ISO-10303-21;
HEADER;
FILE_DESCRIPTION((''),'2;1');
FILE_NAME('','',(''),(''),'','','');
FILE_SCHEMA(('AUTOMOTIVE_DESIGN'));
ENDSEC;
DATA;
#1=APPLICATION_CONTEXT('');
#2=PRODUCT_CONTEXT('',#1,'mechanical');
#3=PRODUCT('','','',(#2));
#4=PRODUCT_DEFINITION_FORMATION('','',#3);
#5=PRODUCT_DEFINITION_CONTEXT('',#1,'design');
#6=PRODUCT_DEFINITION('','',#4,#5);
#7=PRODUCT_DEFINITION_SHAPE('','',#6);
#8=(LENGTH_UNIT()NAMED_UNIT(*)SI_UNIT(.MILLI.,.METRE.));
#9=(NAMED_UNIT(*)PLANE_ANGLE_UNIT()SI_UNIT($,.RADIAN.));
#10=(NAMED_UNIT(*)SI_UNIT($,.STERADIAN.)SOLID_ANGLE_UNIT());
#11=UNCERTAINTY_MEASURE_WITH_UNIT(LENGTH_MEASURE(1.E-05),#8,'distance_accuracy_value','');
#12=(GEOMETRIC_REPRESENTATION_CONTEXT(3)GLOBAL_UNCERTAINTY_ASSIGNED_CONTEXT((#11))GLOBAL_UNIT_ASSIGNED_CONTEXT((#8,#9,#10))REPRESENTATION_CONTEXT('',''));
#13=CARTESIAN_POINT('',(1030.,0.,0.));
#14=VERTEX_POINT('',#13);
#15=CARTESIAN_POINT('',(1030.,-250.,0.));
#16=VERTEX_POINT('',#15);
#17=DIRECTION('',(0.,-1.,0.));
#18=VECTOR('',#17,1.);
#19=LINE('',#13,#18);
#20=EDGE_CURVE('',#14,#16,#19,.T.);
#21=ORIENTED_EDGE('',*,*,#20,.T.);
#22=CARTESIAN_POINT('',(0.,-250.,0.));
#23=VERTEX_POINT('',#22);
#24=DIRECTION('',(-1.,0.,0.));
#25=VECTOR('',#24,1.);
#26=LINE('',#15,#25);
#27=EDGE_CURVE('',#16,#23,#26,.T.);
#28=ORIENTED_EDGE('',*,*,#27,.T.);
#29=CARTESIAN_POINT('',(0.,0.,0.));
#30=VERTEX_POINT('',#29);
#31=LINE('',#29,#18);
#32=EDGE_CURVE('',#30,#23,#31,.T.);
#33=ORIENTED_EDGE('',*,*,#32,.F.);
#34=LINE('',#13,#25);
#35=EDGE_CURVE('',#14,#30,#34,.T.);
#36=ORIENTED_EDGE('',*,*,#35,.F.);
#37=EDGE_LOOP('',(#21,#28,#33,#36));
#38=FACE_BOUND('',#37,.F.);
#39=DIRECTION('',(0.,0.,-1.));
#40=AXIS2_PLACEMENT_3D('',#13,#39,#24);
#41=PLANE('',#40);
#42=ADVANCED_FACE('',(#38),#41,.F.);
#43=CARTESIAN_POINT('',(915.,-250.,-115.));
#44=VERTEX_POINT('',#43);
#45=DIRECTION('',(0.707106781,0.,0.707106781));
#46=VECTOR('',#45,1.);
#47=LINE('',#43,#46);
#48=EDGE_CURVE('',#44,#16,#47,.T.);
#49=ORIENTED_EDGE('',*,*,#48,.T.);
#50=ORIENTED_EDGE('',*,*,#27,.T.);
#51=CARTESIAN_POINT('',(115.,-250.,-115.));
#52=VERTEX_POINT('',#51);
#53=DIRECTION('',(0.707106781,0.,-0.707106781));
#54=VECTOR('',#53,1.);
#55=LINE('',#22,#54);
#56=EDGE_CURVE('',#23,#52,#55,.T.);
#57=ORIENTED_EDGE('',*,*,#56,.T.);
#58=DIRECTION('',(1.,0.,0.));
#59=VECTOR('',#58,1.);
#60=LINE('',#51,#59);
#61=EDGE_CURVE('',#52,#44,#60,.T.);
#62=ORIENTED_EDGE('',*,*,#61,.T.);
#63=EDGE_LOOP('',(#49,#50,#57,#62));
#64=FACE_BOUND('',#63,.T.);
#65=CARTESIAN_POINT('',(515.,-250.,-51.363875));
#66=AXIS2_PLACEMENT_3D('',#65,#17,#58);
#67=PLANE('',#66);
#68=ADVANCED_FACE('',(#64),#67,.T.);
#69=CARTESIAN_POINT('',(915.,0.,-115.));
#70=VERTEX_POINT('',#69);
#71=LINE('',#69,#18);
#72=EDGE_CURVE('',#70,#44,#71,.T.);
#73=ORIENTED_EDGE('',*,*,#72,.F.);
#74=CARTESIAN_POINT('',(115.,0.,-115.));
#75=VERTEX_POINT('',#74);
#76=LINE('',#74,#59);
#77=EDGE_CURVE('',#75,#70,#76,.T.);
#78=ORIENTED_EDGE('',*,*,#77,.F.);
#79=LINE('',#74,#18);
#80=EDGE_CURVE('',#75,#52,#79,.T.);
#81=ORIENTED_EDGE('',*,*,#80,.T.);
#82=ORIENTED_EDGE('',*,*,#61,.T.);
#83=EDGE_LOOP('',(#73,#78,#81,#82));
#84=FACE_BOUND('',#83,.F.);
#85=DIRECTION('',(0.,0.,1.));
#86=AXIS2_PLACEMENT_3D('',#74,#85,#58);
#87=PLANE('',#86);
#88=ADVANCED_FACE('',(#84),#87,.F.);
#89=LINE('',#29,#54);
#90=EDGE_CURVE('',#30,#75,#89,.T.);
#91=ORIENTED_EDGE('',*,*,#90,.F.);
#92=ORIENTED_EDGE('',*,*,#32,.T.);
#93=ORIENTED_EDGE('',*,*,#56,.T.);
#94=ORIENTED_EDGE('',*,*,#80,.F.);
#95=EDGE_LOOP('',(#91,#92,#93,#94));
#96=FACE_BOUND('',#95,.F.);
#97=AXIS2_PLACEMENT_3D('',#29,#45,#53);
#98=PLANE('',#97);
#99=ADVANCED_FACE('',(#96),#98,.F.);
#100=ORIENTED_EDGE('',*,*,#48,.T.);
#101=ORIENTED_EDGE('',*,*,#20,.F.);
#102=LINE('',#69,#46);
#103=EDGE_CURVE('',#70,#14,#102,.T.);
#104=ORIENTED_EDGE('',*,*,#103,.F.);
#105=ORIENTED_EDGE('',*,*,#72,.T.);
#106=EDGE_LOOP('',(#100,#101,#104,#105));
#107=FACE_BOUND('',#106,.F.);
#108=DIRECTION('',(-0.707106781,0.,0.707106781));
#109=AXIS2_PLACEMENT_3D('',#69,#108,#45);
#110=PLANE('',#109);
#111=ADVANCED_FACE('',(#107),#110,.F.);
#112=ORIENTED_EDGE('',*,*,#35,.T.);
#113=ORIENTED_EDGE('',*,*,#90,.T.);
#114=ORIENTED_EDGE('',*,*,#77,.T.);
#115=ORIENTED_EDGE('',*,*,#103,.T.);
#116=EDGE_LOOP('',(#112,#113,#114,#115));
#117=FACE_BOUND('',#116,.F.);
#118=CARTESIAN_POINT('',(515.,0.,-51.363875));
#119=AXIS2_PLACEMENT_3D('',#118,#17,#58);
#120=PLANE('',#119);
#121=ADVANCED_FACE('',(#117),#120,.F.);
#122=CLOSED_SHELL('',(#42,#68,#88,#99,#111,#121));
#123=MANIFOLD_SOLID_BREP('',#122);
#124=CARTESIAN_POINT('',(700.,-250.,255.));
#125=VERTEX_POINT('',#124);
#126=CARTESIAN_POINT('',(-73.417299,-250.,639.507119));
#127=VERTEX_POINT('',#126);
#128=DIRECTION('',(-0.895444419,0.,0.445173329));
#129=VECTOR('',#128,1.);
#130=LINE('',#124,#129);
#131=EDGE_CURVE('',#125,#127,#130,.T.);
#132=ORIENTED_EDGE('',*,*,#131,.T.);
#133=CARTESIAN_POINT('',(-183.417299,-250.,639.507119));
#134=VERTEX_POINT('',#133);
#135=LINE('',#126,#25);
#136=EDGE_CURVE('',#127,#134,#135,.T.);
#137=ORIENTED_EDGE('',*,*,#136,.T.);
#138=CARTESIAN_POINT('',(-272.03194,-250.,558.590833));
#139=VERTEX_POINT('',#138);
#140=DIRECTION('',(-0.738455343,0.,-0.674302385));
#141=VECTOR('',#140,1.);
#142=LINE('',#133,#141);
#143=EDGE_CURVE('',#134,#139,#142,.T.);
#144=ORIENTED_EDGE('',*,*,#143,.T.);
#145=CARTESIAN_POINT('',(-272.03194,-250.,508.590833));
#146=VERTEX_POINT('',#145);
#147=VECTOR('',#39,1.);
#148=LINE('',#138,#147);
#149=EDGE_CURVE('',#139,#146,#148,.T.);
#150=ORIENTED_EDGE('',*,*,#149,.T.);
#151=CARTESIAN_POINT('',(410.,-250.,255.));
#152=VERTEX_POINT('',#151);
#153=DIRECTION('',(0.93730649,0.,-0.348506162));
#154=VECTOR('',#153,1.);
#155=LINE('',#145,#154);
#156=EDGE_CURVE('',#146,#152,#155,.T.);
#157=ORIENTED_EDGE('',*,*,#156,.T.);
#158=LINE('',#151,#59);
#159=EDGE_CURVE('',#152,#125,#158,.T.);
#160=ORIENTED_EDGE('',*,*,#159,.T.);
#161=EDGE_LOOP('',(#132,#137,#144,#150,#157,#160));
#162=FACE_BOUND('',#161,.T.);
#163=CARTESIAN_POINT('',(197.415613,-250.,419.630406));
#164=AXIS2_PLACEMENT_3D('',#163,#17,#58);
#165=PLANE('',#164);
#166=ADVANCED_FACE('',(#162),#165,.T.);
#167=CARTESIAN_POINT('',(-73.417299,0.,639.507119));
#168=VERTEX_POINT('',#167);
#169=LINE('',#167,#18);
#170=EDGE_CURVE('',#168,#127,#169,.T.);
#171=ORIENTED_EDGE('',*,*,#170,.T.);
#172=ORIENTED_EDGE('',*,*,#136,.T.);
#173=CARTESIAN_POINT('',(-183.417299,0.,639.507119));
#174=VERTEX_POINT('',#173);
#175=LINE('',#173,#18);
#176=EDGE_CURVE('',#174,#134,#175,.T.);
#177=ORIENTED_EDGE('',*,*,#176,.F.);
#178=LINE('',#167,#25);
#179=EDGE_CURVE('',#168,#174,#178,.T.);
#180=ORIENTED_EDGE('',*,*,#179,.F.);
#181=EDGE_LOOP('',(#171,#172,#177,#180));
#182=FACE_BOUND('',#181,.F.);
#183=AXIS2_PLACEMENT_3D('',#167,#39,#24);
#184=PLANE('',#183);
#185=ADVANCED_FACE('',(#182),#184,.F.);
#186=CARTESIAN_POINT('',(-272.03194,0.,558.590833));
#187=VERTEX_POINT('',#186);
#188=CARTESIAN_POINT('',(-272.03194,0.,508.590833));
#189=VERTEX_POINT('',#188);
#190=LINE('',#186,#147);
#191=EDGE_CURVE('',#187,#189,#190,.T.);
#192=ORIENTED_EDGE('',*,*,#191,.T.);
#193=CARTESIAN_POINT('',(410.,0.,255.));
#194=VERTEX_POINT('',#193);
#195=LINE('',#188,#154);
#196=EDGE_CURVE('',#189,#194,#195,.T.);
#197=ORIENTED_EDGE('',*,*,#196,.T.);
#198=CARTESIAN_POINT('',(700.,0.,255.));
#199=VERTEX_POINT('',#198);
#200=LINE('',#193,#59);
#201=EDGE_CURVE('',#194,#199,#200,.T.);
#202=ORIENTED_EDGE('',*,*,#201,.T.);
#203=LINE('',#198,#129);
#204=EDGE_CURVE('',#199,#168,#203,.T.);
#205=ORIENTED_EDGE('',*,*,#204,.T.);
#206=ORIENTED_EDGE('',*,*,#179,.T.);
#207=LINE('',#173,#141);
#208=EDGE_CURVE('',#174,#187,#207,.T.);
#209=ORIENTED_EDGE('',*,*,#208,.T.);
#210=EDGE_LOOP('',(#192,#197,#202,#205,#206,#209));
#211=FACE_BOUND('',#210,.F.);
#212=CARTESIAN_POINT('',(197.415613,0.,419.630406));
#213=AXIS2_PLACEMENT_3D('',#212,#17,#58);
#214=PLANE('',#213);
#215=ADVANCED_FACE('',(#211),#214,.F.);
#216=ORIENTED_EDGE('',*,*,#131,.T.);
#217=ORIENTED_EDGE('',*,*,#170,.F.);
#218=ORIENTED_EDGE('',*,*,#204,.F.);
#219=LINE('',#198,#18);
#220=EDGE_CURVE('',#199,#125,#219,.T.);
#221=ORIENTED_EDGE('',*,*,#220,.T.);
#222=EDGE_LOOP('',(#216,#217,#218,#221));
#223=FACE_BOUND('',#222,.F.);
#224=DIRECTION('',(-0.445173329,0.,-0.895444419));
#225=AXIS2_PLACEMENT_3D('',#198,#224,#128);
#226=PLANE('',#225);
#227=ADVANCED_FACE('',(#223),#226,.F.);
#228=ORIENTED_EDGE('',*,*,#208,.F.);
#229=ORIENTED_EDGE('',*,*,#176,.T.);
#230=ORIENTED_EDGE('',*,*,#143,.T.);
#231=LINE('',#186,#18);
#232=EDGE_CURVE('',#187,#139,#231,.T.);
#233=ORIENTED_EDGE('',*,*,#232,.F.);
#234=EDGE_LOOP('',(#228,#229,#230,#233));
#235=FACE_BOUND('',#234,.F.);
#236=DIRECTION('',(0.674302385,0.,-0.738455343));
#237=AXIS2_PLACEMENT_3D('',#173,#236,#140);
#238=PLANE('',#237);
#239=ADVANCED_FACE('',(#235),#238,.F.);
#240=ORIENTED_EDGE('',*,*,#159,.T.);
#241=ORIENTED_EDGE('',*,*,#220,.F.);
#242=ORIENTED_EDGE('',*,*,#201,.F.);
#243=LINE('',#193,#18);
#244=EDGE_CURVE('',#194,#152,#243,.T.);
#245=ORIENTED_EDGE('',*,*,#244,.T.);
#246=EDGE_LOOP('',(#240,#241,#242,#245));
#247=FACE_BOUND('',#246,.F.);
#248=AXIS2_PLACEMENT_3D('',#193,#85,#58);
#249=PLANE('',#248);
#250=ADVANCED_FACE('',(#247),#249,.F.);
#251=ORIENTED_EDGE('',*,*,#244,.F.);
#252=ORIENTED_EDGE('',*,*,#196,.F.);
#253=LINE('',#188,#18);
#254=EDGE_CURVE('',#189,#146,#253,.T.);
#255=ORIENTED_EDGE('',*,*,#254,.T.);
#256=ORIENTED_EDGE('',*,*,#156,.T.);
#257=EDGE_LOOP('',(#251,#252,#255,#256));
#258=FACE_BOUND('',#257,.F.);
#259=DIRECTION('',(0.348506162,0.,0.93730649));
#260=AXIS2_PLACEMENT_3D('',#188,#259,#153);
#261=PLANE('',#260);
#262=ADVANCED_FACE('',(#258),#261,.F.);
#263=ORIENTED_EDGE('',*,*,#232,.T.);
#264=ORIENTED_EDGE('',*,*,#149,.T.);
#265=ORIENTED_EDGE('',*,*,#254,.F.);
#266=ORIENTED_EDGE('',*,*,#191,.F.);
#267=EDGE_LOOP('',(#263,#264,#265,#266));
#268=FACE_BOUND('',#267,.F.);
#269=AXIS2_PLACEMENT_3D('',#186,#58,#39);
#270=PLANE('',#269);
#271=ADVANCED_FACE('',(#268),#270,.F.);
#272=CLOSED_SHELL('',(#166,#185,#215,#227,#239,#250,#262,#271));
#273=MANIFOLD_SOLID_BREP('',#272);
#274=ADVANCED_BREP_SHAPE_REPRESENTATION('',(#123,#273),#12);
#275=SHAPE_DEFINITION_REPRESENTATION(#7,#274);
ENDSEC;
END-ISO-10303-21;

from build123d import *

# Parameters (mm, degrees)
F1_DEPTH = 250


with BuildPart() as f1:
    # F0 (on Front) → F1 (new body)
    with BuildSketch(Plane.XZ):
        Polygon((1030, 0), (0, 0), (115, -115), (915, -115), align=None)
        Polygon((-272.03194, 508.590833), (410, 255), (700, 255), (-73.417299, 639.507119), (-183.417299, 639.507119), (-272.03194, 558.590833), align=None)
    extrude(amount=F1_DEPTH)


solid = f1.part
